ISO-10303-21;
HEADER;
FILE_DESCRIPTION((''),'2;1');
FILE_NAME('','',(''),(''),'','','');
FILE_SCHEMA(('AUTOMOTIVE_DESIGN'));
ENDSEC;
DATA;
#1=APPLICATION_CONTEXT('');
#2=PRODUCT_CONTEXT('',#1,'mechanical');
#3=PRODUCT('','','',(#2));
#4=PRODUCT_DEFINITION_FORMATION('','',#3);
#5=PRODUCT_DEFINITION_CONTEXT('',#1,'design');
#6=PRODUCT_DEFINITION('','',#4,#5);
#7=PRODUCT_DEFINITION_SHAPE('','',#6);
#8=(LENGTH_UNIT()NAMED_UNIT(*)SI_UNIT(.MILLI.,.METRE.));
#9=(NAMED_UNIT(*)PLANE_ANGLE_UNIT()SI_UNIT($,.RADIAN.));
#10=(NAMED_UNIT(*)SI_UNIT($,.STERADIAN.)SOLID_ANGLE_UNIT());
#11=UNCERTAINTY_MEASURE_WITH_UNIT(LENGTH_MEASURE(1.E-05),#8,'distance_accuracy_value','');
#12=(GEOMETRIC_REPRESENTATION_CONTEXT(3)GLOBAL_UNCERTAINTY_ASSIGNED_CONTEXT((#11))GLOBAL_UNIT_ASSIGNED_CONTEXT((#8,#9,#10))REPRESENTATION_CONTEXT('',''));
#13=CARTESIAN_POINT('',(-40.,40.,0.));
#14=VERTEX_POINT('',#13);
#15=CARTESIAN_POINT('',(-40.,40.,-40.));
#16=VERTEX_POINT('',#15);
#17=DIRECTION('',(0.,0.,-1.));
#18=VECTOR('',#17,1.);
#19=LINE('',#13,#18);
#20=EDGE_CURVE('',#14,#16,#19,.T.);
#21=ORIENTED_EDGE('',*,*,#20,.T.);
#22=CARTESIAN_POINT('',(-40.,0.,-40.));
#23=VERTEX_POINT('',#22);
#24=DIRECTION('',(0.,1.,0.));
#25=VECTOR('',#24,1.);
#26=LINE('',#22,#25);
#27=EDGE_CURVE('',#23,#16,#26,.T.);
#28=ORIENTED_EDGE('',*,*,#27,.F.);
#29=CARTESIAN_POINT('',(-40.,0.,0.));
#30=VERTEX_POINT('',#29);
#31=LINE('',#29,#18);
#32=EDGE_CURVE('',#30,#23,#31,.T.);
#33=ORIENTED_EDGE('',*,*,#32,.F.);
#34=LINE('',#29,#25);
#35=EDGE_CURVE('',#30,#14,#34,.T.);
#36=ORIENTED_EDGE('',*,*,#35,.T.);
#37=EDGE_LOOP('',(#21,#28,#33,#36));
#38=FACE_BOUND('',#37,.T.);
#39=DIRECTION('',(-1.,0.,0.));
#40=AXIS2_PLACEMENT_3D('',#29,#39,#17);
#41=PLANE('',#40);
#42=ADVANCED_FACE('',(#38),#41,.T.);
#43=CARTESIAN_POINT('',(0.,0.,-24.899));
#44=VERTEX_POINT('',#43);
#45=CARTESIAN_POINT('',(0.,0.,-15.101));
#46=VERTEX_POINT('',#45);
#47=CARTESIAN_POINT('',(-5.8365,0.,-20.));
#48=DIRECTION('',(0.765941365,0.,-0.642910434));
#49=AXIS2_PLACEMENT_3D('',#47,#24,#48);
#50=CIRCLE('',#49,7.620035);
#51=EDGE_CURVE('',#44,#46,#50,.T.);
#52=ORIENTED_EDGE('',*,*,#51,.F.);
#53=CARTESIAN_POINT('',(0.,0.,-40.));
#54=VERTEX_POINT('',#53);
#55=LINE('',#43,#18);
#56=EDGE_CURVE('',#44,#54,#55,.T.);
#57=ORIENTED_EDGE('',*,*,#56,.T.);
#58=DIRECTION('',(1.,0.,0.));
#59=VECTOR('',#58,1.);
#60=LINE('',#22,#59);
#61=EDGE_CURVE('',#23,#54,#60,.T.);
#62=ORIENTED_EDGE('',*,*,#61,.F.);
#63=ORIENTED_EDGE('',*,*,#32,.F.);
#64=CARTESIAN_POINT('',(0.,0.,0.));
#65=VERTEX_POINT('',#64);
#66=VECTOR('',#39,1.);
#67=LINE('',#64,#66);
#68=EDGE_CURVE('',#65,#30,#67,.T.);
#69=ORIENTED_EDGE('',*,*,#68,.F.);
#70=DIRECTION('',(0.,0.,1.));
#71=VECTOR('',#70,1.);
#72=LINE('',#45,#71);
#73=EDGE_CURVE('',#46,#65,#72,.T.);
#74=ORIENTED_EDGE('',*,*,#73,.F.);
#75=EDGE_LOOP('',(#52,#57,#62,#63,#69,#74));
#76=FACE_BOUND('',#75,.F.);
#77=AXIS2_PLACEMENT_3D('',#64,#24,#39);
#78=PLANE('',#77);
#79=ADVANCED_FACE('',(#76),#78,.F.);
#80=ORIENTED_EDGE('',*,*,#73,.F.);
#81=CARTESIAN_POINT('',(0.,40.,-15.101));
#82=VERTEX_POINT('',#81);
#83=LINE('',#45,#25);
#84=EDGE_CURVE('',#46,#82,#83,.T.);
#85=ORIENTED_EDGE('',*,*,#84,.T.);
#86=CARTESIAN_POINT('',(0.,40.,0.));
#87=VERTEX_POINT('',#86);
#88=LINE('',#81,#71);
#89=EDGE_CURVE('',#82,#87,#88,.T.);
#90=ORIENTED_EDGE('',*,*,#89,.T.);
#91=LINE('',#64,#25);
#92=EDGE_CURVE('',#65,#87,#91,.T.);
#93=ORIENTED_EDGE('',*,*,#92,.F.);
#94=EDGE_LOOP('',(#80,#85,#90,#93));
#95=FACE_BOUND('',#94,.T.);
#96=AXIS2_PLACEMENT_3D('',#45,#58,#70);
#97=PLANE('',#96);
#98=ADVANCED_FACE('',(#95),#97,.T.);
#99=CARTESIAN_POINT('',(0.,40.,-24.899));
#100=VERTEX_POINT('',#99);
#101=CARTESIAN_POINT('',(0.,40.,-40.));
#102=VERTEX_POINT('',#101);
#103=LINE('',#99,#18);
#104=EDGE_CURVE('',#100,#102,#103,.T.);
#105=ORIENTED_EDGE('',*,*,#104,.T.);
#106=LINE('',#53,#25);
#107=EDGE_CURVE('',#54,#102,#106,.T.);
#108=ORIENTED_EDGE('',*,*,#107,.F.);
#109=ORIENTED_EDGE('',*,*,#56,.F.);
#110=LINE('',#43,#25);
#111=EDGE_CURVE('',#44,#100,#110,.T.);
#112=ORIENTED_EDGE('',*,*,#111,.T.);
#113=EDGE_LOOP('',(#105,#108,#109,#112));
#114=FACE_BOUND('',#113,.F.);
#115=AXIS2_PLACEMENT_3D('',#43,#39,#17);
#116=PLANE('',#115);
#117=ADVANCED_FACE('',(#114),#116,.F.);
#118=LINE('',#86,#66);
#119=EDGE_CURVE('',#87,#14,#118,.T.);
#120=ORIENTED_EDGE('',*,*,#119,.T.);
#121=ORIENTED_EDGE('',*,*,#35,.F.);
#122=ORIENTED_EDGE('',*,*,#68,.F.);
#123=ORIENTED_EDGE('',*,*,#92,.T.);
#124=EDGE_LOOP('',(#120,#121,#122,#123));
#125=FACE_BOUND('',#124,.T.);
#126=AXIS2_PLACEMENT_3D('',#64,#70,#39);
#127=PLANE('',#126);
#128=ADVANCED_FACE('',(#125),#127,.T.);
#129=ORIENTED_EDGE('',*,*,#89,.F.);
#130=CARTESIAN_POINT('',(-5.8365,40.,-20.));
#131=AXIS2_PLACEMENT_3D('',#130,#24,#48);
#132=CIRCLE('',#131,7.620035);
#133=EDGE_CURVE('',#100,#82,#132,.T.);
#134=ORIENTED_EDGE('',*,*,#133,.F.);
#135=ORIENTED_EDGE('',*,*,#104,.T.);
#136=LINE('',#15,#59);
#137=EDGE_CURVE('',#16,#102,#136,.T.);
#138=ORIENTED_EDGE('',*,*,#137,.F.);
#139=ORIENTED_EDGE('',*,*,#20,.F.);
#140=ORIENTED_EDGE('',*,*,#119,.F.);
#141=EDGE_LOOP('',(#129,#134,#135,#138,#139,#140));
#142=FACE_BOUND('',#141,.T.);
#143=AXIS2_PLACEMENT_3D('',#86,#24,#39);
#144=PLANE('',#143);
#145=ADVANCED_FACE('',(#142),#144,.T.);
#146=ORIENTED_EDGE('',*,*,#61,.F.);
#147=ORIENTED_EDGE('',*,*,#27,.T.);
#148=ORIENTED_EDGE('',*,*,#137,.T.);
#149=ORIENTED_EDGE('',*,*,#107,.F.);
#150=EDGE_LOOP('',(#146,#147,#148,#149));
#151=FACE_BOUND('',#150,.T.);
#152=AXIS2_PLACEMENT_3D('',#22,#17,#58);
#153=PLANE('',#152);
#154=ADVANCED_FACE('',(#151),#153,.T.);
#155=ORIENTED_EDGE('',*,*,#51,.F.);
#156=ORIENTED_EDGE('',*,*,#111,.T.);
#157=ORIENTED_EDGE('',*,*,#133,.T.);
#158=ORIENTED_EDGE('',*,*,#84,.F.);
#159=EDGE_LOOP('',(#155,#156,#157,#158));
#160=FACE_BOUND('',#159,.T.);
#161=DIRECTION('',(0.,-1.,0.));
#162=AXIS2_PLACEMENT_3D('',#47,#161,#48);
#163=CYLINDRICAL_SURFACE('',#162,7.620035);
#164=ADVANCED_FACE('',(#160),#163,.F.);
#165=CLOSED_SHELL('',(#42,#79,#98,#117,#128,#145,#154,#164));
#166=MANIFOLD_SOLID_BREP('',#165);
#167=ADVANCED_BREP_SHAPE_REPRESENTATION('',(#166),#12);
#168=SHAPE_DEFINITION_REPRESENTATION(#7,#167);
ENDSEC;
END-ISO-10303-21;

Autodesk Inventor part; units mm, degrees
ref_plane "YZ Plane" through (0, 0, 0) normal (1, 0, 0) x (0, 1, 0)
ref_plane "XZ Plane" through (0, 0, 0) normal (0, 1, 0) x (-1, 0, 0)
ref_plane "XY Plane" through (0, 0, 0) normal (0, 0, 1) x (1, 0, 0)
sketch "Sketch1" plane through (0, 0, 0) normal (0, 1, 0) x (-1, 0, 0)
  line L0 (0, 0) -> (40, 0)
  line L1 (40, 0) -> (40, -40)
  line L2 (40, -40) -> (0, -40)
  line L3 (0, -15.101) -> (0, 0)
  line L4 (0, -24.899) -> (0, -40)
  arc A0 (0, -24.899) -> (0, -15.101) centre (5.8365, -20) ccw
  dimension "d0" = 40
  dimension "d1" = 40
  dimension "d7" = 7.62
extrude "Extrusion1" add sketch "Sketch1" along normal blind 40
properties part number "railblock"
